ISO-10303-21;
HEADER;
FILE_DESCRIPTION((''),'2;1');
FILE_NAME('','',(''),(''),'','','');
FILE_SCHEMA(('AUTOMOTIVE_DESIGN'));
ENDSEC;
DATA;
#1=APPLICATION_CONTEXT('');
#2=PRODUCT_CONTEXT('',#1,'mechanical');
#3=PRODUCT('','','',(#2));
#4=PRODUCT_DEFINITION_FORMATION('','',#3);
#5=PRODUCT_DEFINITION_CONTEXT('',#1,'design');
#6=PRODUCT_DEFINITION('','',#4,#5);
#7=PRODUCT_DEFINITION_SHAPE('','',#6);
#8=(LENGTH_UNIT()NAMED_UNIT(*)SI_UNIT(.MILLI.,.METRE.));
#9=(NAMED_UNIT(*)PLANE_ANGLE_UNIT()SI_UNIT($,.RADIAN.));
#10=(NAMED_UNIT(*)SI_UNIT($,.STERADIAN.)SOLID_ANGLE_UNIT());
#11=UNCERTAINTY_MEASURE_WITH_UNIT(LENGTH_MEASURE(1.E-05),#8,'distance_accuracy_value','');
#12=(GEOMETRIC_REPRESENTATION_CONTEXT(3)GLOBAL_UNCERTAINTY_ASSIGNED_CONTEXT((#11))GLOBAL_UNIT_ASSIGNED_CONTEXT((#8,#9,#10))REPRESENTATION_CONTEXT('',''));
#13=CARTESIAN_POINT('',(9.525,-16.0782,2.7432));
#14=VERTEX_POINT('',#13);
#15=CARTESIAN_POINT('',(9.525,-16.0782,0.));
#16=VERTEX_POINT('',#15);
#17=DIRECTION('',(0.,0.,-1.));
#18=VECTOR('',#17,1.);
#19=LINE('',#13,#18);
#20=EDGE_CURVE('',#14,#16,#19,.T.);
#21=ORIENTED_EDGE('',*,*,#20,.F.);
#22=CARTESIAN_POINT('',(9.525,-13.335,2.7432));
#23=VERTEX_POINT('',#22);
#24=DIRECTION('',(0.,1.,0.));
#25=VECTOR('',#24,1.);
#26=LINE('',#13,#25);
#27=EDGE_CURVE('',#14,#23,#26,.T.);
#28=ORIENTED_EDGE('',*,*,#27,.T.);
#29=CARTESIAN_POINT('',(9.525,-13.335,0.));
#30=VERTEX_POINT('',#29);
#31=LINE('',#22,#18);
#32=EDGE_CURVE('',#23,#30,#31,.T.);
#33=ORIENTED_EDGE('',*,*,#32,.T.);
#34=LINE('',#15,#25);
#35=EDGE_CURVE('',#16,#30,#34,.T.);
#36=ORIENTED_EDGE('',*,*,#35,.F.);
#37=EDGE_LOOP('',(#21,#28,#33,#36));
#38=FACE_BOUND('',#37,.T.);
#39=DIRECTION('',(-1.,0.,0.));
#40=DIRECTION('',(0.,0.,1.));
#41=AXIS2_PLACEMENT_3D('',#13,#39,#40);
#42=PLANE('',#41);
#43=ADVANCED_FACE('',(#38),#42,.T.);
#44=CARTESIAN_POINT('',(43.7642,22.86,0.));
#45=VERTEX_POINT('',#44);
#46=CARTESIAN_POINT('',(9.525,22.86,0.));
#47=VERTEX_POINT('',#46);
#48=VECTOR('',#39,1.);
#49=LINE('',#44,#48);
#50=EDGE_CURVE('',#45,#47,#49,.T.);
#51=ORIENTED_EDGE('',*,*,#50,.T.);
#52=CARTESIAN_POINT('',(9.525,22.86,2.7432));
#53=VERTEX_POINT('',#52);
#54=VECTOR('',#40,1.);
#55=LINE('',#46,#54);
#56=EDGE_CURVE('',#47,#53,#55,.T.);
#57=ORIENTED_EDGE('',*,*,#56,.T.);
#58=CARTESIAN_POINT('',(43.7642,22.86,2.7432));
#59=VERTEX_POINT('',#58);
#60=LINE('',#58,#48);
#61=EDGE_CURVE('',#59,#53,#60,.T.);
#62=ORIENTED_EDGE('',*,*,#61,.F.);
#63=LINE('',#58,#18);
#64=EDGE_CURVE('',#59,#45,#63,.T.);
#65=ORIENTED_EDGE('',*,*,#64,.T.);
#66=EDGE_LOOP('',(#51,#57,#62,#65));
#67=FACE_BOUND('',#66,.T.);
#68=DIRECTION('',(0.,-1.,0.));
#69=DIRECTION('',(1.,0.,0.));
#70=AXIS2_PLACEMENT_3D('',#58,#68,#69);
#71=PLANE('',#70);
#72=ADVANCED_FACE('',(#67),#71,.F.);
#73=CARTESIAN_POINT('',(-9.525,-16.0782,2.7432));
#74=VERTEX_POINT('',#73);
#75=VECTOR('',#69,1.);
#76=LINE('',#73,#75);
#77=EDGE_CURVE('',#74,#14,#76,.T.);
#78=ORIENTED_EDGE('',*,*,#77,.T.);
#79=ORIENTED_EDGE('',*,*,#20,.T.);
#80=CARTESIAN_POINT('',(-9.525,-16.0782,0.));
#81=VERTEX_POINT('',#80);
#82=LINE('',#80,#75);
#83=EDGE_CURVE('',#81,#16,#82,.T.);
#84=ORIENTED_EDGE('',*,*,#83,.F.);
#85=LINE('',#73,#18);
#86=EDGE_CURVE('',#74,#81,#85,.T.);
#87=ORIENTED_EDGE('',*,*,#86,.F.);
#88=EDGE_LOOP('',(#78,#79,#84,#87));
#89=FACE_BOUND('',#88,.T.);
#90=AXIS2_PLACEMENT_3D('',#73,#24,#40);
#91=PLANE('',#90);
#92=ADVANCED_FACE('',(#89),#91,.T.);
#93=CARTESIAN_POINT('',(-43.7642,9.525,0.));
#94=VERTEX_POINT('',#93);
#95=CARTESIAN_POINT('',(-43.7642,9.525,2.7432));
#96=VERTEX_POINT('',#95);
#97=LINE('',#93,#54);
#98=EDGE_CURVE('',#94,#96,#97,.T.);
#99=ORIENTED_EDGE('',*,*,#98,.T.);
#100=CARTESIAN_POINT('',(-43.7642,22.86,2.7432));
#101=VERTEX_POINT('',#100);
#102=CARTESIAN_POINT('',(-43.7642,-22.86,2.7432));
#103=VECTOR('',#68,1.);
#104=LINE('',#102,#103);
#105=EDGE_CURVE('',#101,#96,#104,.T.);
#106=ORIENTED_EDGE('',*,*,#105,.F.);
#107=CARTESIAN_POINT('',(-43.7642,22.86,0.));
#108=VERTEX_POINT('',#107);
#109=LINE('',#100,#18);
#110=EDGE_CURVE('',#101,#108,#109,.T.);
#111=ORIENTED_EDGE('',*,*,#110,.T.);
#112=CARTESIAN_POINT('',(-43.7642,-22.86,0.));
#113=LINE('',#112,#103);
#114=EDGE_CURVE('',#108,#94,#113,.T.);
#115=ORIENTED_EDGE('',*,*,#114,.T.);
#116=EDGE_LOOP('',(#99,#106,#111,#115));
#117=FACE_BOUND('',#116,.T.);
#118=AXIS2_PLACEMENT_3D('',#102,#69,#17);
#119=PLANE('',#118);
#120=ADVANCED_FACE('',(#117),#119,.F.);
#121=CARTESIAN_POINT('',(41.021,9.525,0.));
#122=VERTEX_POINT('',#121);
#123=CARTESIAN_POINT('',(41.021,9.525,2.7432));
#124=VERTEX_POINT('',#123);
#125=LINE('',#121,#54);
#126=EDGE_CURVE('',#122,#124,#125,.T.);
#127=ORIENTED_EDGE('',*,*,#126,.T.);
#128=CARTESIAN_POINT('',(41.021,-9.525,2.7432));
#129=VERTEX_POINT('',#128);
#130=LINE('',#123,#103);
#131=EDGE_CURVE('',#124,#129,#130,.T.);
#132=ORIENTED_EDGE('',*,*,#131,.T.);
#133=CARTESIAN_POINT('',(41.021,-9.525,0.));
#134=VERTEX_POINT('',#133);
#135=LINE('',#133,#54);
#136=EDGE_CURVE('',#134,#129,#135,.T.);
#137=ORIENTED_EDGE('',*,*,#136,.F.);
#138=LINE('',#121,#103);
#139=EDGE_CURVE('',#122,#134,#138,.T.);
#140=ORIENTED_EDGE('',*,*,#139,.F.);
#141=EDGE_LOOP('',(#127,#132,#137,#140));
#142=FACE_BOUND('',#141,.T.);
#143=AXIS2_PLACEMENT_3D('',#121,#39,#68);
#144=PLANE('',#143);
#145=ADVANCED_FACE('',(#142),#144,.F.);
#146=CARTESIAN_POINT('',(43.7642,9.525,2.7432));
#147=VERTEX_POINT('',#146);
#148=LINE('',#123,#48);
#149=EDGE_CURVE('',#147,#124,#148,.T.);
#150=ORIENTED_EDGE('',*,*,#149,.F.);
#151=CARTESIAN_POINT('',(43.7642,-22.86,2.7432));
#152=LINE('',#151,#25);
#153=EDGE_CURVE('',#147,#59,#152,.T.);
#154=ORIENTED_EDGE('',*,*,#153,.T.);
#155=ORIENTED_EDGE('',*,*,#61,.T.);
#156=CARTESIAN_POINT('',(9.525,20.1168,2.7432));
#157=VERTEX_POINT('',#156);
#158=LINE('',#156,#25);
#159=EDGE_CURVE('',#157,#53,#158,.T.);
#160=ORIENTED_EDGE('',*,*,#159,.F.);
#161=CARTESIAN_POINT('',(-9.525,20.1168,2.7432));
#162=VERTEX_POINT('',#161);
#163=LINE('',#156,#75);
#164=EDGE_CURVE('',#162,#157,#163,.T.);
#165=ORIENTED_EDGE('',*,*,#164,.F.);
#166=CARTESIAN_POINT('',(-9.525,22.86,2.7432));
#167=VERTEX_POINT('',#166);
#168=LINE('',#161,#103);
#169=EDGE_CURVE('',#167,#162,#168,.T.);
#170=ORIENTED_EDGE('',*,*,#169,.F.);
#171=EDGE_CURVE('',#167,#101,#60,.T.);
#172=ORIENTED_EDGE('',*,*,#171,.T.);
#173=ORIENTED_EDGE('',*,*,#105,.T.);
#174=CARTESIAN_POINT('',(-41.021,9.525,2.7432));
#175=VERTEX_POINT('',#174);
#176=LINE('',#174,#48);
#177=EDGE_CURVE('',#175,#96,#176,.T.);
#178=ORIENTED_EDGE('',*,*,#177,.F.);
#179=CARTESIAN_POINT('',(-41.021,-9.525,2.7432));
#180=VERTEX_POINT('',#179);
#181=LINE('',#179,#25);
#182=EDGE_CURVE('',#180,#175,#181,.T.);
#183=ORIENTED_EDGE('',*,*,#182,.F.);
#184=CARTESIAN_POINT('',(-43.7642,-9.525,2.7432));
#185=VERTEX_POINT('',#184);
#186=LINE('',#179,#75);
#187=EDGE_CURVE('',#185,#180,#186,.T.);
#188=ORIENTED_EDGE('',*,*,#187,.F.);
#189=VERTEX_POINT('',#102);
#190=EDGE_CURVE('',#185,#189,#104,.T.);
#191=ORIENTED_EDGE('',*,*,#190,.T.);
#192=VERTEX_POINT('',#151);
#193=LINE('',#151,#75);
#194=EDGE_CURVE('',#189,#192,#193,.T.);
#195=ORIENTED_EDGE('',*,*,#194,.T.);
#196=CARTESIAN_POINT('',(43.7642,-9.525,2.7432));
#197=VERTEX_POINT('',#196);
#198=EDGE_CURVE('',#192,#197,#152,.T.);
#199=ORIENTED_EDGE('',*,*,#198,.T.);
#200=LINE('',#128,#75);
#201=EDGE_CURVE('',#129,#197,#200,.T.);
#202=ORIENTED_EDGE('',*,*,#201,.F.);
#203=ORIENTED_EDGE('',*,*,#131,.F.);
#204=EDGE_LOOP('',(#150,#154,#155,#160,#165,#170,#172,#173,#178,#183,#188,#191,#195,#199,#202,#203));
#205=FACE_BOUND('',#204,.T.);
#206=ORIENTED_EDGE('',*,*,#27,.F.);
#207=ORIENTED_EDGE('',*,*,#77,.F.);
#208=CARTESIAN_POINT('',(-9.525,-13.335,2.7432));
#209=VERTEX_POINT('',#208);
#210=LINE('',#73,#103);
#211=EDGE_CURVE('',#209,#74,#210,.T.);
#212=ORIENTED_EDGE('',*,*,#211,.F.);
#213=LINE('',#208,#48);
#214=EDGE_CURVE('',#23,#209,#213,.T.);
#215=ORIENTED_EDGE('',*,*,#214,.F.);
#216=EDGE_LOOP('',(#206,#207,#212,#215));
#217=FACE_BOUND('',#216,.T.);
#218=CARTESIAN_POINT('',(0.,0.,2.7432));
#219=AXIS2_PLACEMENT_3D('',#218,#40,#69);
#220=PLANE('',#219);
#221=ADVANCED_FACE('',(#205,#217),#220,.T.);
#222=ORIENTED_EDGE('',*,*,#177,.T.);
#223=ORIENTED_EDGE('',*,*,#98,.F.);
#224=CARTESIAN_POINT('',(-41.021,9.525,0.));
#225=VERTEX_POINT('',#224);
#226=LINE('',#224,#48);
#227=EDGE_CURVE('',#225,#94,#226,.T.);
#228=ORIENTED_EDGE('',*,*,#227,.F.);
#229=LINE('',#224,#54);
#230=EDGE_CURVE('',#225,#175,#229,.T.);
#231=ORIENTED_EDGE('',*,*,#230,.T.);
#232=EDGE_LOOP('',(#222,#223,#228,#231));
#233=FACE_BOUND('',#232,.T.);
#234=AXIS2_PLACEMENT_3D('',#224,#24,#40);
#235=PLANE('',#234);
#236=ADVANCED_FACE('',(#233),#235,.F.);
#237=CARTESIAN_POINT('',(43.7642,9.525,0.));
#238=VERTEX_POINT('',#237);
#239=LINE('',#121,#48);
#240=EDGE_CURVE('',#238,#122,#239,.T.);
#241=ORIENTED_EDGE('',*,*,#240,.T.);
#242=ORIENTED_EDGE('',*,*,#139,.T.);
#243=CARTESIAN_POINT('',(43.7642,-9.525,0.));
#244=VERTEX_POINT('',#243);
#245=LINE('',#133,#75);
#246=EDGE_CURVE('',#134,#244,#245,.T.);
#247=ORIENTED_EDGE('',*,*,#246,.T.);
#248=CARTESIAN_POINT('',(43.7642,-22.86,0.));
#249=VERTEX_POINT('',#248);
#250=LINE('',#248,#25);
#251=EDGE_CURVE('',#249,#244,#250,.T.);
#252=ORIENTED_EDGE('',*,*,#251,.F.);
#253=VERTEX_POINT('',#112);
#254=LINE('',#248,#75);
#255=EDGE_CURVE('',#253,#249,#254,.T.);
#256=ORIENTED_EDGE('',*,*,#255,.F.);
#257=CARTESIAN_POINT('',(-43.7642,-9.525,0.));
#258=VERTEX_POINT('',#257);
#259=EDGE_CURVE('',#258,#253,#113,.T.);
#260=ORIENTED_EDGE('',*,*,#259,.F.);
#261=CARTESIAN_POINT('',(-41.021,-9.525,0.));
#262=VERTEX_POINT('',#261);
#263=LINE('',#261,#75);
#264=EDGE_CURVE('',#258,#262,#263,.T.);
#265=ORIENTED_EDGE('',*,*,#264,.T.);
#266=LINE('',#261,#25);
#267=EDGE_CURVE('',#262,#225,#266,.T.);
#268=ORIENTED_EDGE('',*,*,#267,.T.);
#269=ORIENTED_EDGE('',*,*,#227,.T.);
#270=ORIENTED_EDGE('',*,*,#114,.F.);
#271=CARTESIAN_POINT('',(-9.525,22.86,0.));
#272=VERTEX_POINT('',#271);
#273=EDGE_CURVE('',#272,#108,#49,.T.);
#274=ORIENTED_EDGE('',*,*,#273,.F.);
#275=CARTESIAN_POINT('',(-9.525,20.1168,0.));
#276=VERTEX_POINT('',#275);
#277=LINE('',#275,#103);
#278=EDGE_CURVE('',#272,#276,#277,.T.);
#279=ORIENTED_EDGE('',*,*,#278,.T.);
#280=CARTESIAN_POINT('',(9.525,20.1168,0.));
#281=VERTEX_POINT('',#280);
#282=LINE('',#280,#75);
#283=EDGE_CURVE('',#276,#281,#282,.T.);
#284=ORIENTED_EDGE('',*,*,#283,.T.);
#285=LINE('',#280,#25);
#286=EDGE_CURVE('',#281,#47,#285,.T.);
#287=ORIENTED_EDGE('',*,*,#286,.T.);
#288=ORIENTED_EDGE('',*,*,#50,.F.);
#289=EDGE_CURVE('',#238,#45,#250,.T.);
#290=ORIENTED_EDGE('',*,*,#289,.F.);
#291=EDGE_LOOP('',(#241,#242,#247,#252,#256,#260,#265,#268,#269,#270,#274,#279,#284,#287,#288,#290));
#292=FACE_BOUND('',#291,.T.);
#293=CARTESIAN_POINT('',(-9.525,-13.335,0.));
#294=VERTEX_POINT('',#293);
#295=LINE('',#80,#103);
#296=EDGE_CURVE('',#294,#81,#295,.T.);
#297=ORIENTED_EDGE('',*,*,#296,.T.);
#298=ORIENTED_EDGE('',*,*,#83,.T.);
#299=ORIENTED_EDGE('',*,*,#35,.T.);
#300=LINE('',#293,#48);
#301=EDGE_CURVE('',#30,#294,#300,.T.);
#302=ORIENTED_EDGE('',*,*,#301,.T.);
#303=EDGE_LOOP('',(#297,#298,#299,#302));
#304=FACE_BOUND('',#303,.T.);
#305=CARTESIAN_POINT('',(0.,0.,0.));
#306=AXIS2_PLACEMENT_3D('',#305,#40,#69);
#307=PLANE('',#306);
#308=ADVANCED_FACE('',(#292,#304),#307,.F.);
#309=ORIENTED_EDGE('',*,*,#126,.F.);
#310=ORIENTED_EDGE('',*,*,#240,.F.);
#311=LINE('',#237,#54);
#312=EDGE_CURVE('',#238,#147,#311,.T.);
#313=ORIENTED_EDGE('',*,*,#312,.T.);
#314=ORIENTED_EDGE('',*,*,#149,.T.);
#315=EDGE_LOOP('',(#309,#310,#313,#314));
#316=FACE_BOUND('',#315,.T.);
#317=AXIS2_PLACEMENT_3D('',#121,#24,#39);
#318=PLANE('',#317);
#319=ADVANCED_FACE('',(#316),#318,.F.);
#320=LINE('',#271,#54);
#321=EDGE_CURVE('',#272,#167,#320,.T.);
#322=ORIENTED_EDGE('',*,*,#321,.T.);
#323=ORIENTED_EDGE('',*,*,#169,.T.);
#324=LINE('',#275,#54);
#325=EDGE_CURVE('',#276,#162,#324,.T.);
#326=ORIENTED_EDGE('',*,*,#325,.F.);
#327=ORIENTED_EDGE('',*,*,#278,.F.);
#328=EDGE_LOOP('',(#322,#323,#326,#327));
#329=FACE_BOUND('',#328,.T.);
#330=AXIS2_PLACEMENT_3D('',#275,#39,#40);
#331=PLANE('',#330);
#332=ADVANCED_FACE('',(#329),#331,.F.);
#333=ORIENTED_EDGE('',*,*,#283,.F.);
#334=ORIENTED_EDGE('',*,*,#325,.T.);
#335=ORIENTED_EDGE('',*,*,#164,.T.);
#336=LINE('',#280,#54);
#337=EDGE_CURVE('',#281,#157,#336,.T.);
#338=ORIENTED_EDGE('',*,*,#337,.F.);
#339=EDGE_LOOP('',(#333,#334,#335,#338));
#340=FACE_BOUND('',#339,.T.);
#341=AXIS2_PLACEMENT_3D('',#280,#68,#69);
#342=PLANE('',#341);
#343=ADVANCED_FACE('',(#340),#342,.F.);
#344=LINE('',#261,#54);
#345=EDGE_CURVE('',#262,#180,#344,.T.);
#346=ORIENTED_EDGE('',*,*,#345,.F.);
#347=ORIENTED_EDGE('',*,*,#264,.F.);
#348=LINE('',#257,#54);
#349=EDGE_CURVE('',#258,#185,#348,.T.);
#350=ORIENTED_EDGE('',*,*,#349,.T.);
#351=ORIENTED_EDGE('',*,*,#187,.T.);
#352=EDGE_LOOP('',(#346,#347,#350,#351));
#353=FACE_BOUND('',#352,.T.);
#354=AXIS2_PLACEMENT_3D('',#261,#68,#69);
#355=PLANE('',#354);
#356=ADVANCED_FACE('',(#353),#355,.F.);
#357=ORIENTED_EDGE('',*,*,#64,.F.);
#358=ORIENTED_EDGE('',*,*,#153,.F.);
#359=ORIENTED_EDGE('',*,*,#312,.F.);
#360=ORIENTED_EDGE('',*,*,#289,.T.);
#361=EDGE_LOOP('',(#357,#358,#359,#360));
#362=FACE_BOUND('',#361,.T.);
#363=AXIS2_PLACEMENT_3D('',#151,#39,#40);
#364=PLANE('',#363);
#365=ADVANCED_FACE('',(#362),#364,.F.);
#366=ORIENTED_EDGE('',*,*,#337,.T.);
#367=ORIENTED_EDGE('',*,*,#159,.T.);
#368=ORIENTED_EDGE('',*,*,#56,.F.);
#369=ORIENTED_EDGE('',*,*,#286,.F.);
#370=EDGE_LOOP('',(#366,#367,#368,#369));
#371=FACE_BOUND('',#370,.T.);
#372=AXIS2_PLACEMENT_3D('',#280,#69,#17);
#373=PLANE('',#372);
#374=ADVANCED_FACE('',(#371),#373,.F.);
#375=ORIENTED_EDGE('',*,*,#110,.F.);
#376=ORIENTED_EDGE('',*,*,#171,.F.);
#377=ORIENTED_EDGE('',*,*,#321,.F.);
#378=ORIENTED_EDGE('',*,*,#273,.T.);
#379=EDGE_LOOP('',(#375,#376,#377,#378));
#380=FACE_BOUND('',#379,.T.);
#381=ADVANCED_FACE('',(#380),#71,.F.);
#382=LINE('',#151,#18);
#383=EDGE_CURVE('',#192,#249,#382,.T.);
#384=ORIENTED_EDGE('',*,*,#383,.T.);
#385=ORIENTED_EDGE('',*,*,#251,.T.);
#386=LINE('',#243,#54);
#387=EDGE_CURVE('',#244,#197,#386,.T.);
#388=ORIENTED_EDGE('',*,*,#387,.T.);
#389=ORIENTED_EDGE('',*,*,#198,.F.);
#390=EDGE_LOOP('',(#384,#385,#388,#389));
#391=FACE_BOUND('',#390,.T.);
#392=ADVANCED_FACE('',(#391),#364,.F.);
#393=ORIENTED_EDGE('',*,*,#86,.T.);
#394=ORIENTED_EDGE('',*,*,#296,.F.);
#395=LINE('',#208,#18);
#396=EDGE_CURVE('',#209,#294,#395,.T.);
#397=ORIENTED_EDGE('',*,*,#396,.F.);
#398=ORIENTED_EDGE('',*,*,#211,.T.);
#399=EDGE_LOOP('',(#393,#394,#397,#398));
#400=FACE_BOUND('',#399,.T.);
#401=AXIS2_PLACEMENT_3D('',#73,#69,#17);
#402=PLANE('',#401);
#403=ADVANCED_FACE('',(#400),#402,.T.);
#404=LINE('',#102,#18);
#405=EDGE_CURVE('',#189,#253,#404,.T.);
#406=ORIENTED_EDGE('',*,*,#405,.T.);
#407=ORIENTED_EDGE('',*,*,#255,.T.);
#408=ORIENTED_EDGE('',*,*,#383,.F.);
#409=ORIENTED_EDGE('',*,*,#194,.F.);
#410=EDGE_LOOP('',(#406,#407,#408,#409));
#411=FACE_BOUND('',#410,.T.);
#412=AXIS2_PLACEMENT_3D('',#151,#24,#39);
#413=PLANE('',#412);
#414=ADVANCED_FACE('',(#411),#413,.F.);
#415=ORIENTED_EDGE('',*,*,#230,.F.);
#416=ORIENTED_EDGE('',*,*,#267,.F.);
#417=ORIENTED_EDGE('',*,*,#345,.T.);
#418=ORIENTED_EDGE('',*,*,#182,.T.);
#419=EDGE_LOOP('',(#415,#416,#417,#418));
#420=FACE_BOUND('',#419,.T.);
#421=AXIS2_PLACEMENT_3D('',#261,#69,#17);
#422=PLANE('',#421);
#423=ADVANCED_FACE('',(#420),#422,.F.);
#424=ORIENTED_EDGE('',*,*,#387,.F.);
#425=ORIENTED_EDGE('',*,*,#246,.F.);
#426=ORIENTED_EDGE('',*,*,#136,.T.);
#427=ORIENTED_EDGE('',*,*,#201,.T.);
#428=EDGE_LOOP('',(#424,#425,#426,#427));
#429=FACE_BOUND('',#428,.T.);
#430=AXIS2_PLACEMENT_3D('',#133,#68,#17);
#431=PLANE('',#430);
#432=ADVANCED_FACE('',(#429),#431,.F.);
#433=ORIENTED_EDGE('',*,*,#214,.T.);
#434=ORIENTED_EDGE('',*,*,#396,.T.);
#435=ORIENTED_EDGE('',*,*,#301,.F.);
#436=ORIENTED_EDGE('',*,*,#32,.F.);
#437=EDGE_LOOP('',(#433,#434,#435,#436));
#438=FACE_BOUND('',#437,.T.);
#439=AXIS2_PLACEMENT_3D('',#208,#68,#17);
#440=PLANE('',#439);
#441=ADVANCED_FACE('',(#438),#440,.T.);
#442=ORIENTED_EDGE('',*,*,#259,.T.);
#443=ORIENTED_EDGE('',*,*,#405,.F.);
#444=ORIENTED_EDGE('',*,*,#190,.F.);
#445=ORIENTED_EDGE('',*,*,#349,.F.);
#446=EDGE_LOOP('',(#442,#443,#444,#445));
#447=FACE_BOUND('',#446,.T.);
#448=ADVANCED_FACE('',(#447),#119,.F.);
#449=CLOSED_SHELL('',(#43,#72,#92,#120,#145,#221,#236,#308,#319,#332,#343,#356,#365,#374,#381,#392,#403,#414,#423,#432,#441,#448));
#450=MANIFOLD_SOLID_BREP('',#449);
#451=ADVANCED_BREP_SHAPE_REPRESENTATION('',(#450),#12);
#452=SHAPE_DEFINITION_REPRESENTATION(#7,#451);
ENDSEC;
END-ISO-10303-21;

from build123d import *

# Parameters (mm, degrees)
SKETCH1_W           = 87.5284
SKETCH1_H           = 45.72
SKETCH1_W_2         = 19.05
SKETCH1_H_2         = 2.7432
BOSS_EXTRUDE1_DEPTH = 2.7432
SKETCH2_W           = 2.7432
SKETCH2_H           = 19.05
SKETCH2_W_2         = 19.05
SKETCH2_H_2         = 2.7432
CUT_EXTRUDE1_DEPTH  = 3.7432


with BuildPart() as part:
    # Sketch1 → Boss-Extrude1 (new body)
    with BuildSketch(Plane.XY):
        Rectangle(SKETCH1_W, SKETCH1_H)
        with Locations((0, -14.7066)):
            Rectangle(SKETCH1_W_2, SKETCH1_H_2, mode=Mode.SUBTRACT)
    extrude(amount=BOSS_EXTRUDE1_DEPTH)

    # Sketch2 → Cut-Extrude1 (cut, through all)
    with BuildSketch(Plane.XY.offset(2.7432)):
        with Locations((-42.3926, 0)):
            Rectangle(SKETCH2_W, SKETCH2_H)
        with Locations((42.3926, 0)):
            Rectangle(SKETCH2_W, SKETCH2_H)
        with Locations((0, 21.4884)):
            Rectangle(SKETCH2_W_2, SKETCH2_H_2)
    extrude(amount=-CUT_EXTRUDE1_DEPTH, mode=Mode.SUBTRACT)


solid = part.part
